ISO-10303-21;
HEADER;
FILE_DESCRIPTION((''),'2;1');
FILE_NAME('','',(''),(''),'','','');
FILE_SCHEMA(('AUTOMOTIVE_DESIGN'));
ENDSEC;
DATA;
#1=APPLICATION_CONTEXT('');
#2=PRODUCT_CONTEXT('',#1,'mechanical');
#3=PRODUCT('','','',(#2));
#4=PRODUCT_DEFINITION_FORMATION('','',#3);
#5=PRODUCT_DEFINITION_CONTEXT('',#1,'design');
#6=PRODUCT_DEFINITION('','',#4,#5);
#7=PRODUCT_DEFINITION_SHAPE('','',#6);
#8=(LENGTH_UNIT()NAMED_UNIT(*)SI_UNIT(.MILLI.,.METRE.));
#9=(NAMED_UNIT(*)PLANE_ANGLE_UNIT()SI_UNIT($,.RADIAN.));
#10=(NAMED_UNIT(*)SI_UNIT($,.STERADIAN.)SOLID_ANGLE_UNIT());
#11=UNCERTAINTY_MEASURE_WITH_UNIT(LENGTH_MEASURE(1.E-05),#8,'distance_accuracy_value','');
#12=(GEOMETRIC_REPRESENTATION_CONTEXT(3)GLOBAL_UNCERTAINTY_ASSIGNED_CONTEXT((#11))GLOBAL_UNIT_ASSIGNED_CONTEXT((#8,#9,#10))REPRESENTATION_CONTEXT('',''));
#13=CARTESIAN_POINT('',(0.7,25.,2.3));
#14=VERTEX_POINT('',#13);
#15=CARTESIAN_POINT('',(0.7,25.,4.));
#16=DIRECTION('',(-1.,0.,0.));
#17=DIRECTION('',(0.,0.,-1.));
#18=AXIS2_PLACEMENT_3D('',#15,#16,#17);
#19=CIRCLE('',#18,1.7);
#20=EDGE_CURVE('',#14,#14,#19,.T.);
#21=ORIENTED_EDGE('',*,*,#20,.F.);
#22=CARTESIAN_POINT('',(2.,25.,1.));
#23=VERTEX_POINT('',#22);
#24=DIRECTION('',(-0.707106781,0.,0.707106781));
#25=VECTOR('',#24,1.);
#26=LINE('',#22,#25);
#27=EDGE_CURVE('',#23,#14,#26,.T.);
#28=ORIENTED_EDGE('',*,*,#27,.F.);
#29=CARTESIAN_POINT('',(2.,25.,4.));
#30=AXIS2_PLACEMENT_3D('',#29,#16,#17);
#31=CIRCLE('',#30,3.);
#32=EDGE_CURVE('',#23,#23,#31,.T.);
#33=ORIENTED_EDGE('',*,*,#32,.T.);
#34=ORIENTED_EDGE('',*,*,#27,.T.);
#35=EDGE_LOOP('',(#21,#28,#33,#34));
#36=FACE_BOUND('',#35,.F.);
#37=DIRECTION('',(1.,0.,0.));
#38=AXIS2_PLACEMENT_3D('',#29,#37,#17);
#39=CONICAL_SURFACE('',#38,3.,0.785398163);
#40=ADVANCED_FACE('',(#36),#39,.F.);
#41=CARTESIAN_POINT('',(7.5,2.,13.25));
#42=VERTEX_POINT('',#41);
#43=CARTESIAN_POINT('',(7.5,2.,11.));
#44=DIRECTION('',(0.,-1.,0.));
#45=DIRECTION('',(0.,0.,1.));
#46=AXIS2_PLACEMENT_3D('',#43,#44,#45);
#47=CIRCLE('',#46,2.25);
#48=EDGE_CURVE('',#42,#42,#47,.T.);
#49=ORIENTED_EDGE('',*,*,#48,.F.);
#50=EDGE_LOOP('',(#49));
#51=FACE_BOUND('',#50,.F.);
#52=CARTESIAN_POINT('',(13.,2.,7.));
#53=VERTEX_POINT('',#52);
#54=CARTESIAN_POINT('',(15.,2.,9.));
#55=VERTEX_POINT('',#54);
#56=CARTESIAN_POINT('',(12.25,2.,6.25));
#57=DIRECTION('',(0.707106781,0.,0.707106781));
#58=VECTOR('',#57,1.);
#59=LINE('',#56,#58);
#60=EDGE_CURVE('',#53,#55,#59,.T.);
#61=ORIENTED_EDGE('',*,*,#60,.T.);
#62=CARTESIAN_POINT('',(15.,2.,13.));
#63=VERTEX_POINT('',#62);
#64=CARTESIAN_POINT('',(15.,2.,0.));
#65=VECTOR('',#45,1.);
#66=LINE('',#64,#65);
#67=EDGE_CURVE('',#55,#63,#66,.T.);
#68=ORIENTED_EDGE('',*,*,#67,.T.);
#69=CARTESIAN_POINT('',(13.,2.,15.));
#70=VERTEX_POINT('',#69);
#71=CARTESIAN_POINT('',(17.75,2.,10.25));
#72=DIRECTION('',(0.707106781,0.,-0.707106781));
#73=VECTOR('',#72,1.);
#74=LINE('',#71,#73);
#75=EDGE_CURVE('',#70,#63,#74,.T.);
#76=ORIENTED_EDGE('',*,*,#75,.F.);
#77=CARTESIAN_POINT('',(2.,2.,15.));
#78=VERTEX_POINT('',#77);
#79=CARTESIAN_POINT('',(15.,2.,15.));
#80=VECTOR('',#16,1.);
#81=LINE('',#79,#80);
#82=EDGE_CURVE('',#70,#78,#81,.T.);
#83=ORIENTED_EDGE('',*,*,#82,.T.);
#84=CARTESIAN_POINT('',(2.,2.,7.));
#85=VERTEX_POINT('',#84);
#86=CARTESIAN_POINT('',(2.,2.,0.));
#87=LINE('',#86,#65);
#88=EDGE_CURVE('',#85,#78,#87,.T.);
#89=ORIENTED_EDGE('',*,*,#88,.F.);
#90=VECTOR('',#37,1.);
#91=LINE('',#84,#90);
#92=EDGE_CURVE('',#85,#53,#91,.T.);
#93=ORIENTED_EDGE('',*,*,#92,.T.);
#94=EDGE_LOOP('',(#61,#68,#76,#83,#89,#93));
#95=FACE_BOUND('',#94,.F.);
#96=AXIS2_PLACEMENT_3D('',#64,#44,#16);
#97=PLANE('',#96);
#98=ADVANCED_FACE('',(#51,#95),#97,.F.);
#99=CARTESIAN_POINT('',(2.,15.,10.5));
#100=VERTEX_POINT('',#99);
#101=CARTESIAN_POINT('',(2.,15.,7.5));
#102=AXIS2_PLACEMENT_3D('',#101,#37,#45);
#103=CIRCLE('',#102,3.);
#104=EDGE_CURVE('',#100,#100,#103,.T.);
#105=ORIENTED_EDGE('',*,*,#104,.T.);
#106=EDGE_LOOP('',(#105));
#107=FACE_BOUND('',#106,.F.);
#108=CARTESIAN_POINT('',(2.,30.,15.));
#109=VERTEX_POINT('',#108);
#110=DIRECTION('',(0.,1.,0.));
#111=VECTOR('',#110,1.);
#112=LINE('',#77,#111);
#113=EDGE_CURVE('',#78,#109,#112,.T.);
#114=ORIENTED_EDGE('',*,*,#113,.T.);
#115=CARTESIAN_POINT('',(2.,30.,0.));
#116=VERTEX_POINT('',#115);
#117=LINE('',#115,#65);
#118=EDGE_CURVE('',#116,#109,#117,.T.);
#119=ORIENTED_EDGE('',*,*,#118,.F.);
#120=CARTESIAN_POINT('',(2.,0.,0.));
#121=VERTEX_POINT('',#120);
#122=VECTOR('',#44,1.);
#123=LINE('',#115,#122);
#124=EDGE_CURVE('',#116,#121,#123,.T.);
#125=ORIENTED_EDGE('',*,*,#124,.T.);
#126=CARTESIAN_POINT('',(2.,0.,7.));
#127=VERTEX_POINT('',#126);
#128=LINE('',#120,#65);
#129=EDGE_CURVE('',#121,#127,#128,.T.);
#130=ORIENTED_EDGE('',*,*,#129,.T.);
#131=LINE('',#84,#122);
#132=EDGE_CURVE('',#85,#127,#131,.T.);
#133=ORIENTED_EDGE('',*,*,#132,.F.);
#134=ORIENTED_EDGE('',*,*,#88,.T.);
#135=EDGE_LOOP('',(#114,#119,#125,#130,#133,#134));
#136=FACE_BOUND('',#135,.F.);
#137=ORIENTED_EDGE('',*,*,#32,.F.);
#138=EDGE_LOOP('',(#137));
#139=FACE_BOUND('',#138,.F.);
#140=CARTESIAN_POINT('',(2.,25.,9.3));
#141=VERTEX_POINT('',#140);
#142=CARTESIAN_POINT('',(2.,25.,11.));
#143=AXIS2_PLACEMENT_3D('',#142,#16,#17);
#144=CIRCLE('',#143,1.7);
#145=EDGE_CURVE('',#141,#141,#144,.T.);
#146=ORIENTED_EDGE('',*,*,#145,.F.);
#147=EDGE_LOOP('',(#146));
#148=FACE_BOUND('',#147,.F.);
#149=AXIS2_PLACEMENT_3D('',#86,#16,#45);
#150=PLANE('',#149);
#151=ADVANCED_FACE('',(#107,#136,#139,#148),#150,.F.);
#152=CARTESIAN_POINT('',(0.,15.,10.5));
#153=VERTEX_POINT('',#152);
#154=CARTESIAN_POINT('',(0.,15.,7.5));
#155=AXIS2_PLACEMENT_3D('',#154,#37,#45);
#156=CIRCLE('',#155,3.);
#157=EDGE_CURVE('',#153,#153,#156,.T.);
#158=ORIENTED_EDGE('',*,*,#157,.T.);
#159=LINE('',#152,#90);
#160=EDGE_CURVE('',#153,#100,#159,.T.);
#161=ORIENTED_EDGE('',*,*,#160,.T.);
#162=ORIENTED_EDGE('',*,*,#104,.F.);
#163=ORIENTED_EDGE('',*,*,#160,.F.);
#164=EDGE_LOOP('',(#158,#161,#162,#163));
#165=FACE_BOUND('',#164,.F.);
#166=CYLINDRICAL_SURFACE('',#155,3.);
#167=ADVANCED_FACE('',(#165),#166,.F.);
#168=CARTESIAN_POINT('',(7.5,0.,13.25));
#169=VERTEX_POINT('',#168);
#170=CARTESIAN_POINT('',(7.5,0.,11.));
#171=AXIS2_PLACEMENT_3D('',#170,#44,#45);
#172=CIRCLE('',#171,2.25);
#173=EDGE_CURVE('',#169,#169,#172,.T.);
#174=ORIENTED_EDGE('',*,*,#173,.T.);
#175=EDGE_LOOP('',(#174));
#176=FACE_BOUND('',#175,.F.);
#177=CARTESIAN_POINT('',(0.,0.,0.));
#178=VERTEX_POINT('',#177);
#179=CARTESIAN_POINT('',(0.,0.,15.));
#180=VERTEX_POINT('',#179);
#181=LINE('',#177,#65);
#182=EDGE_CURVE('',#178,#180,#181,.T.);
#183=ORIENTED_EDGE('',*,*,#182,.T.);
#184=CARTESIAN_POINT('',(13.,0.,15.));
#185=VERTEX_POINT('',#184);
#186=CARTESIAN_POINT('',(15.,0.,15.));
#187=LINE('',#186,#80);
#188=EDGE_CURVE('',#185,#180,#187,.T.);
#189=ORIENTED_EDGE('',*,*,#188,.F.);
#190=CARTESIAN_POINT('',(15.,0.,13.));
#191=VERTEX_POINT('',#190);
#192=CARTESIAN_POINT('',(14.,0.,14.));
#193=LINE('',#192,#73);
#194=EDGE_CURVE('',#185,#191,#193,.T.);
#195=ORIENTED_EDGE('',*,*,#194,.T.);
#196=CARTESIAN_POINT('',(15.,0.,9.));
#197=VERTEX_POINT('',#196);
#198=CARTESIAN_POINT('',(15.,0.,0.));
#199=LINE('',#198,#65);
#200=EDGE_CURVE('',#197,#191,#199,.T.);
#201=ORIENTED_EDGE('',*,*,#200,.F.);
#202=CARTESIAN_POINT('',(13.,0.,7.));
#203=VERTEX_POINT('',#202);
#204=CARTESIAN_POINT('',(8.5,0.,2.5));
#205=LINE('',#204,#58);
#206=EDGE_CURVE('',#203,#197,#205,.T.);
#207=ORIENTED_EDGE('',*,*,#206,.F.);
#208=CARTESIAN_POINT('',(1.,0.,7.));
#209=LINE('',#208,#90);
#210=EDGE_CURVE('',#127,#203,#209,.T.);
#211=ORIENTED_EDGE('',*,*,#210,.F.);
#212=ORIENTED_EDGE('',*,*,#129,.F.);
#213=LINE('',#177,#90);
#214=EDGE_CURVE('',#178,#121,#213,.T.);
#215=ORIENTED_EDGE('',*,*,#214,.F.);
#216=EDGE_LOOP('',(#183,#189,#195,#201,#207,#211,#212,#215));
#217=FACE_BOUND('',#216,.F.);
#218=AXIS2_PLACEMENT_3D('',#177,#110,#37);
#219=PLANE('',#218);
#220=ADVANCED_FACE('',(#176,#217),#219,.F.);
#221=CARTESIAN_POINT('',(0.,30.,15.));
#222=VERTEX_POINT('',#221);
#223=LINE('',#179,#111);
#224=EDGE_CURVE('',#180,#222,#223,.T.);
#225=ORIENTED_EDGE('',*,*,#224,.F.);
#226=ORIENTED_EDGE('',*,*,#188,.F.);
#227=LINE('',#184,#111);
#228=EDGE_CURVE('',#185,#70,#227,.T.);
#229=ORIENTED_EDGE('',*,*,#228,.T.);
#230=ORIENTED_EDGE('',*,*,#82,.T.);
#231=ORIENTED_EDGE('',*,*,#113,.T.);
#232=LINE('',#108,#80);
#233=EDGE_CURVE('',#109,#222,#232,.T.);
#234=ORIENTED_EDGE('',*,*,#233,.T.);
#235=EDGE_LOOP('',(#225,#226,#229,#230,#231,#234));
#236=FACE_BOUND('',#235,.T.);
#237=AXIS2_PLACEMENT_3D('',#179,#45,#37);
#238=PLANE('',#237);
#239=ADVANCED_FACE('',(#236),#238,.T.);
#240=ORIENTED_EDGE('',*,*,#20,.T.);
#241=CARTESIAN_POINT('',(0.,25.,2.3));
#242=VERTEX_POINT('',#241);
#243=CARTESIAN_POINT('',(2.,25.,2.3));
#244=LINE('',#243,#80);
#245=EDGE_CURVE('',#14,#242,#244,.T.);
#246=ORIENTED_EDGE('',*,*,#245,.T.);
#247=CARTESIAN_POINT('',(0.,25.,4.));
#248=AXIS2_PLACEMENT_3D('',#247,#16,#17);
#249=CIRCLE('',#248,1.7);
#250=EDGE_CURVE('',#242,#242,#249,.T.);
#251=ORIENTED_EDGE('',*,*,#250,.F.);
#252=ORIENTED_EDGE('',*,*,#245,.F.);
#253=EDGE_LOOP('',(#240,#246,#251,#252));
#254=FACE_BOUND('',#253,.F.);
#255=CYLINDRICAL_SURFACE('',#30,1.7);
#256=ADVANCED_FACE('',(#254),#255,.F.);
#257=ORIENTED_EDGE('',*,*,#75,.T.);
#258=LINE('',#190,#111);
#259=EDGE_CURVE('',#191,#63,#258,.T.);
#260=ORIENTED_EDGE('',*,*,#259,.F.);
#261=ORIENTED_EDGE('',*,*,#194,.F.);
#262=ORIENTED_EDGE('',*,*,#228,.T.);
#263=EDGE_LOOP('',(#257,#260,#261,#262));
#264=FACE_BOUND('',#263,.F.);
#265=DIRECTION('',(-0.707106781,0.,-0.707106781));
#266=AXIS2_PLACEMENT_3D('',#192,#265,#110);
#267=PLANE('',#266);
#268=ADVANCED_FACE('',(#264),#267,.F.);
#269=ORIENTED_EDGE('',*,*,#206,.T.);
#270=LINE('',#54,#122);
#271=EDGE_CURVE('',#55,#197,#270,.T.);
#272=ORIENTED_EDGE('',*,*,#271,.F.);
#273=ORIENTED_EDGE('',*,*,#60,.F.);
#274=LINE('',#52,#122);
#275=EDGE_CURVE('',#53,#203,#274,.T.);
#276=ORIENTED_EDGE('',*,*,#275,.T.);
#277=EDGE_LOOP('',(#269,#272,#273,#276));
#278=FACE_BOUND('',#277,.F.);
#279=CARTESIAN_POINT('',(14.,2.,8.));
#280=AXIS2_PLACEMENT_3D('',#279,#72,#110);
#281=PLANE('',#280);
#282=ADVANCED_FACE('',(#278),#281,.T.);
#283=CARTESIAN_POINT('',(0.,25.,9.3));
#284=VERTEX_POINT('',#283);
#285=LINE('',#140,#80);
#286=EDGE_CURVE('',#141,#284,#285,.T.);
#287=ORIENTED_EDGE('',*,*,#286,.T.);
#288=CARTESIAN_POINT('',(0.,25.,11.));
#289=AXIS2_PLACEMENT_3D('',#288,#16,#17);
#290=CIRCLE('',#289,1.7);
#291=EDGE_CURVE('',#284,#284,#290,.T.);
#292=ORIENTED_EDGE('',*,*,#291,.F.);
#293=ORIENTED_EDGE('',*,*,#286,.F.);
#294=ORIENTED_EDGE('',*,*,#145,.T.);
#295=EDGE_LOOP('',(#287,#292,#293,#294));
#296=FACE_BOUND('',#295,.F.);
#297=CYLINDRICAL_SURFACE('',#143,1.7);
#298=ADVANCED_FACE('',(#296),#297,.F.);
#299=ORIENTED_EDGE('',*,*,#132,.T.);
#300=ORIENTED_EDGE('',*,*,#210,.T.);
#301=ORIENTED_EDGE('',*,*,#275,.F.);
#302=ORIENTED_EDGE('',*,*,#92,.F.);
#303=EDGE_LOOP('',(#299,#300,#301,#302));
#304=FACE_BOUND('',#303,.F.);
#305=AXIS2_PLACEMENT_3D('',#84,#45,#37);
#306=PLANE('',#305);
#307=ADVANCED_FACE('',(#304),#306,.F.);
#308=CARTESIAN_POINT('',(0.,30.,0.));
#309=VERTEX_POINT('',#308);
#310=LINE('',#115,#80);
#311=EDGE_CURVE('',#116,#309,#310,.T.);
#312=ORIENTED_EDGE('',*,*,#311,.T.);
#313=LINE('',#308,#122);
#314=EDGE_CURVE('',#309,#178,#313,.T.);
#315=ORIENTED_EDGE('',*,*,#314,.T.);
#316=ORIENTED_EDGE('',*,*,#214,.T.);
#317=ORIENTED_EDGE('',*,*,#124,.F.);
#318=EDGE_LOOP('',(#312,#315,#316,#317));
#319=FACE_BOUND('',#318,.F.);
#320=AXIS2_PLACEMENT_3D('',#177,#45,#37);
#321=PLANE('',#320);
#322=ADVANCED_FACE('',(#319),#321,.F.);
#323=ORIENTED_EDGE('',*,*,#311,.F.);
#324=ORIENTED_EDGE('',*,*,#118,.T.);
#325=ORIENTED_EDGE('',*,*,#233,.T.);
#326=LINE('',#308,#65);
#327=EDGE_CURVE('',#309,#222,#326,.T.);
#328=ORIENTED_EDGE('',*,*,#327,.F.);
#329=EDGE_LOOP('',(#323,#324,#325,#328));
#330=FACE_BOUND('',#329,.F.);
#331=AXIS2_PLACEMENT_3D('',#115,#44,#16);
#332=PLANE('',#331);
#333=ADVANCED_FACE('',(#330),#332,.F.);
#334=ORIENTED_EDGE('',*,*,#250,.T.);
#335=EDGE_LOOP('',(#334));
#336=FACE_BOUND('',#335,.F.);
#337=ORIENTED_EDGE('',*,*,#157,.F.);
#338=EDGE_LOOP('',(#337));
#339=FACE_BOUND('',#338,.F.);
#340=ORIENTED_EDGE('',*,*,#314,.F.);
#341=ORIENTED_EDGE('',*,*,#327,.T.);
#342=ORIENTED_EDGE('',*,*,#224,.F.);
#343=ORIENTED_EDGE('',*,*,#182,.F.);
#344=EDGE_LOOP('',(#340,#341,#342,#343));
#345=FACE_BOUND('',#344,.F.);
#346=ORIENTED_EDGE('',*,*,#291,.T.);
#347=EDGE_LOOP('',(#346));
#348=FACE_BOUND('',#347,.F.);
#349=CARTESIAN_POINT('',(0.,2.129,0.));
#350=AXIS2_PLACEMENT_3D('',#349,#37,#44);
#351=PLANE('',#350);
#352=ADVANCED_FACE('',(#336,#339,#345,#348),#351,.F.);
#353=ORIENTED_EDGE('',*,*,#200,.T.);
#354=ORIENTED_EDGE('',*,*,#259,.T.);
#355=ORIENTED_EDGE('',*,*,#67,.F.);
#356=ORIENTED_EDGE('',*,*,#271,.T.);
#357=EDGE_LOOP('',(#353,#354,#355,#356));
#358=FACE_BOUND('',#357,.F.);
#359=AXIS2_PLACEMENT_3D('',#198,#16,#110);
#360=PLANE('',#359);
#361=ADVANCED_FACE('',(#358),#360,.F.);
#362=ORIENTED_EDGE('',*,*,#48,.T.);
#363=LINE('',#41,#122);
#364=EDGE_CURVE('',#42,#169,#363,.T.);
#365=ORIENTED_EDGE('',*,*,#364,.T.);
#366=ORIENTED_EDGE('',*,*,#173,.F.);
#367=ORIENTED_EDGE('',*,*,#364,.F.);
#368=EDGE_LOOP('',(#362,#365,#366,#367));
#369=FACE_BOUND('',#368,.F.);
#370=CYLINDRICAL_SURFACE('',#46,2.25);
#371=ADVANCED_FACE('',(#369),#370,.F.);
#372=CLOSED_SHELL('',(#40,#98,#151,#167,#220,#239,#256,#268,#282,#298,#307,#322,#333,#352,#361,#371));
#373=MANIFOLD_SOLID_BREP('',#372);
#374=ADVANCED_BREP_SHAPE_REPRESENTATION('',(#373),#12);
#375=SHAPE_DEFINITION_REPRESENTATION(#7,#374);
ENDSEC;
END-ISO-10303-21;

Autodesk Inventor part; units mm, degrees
ref_plane "YZ Plane" through (0, 0, 0) normal (1, 0, 0) x (0, 1, 0)
ref_plane "XZ Plane" through (0, 0, 0) normal (0, 1, 0) x (-1, 0, 0)
ref_plane "XY Plane" through (0, 0, 0) normal (0, 0, 1) x (1, 0, 0)
sketch "Skizze1" plane through (0, 0, 0) normal (0, 0, 1) x (1, 0, 0)
  line L0 (0, 0) -> (1.7032, 0)
  line L1 (2, 2) -> (2, 30)
  line L2 (2, 30) -> (0, 30)
  line L3 (0, 30) -> (0, 0)
  line L4 (0, 0) -> (15, 0)
  line L5 (15, 0) -> (15, 2)
  line L6 (15, 2) -> (2, 2)
  line L7 (0, 2.129) -> (0, 0)
  dimension "d0" = 30
  dimension "d1" = 15
  dimension "d2" = 2
extrude "Extrusion1" add sketch "Skizze1" along normal blind 15
sketch "Skizze2" plane through (0, 0, 0) normal (-1, 0, 0) x (0, 0, 1)
  line L0 (0, 30) -> (15, 30) projected
  line L1 (0, 0) -> (0, 30) projected
  line L2 (0, 0) -> (15, 0) projected
  line L3 (0, -6) -> (0, 36) projected
  line L4 (-3, 0) -> (18, 0) projected
  line L5 (7.5, 30) -> (7.5, 0)
  point P0 (7.5, 15)
  dimension "d5" = 30
  dimension "d6" = 7.5
  dimension "d7" = 15
hole "Bohrung1" at (0, 15, 7.5) direction (1, 0, 0) diameter 6 end through all
sketch "Skizze3" plane through (2, 2, 0) normal (0, 1, 0) x (1, 0, 0)
  line L0 (0, -15) -> (13, -15) projected
  line L1 (0, 0) -> (0, -15) projected
  line L2 (13, 0) -> (0, 0)
  line L3 (0, 0) -> (0, -7)
  line L4 (0, -7) -> (13, -7)
  line L5 (13, -7) -> (13, 0)
  point P0 (-2, 0)
  dimension "d15" = 8
extrude "Extrusion2" cut sketch "Skizze3" against normal through all
sketch "Skizze4" plane through (2, 0, 0) normal (1, 0, 0) x (0, 0, -1)
  line L0 (-15, 30) -> (-15, 2) projected
  line L1 (0, 30) -> (0, 0) projected
  line L2 (0, 30) -> (-15, 30) projected
  line L3 (-15, 27.5) -> (0, 27.5)
  line L4 (-15, 22) -> (0, 22)
  point P0 (-11, 25)
  point P1 (-4, 25)
  dimension "d18" = 2.5
  dimension "d19" = 8
  dimension "d20" = 5
  dimension "d21" = 5
  dimension "d22" = 4
  dimension "d23" = 4
hole "Bohrung2" at (2, 25, 11) at (2, 25, 4) direction (-1, 0, 0) diameter 3.4 end through all
sketch "Skizze5" plane through (2, 2, 15) normal (0, 1, 0) x (1, 0, 0)
  line L0 (13, 8) -> (0, 8) projected
  line L1 (13, 8) -> (13, 0) projected
  point P0 (-2, 15)
  point P1 (5.5, 4)
  dimension "d31" = 7.5
  dimension "d32" = 4
hole "Bohrung3" at (7.5, 2, 11) direction (0, -1, 0) diameter 4.5 end through all
hole "Bohrung4" at (2, 25, 4) direction (-1, 0, 0) diameter 3.4 end through all countersink diameter 6 countersink angle 90
chamfer "Fase1" distance 2 angle 45 2 edges at (15, 1, 15) (15, 1, 7)
properties part number "13_0204_051"
